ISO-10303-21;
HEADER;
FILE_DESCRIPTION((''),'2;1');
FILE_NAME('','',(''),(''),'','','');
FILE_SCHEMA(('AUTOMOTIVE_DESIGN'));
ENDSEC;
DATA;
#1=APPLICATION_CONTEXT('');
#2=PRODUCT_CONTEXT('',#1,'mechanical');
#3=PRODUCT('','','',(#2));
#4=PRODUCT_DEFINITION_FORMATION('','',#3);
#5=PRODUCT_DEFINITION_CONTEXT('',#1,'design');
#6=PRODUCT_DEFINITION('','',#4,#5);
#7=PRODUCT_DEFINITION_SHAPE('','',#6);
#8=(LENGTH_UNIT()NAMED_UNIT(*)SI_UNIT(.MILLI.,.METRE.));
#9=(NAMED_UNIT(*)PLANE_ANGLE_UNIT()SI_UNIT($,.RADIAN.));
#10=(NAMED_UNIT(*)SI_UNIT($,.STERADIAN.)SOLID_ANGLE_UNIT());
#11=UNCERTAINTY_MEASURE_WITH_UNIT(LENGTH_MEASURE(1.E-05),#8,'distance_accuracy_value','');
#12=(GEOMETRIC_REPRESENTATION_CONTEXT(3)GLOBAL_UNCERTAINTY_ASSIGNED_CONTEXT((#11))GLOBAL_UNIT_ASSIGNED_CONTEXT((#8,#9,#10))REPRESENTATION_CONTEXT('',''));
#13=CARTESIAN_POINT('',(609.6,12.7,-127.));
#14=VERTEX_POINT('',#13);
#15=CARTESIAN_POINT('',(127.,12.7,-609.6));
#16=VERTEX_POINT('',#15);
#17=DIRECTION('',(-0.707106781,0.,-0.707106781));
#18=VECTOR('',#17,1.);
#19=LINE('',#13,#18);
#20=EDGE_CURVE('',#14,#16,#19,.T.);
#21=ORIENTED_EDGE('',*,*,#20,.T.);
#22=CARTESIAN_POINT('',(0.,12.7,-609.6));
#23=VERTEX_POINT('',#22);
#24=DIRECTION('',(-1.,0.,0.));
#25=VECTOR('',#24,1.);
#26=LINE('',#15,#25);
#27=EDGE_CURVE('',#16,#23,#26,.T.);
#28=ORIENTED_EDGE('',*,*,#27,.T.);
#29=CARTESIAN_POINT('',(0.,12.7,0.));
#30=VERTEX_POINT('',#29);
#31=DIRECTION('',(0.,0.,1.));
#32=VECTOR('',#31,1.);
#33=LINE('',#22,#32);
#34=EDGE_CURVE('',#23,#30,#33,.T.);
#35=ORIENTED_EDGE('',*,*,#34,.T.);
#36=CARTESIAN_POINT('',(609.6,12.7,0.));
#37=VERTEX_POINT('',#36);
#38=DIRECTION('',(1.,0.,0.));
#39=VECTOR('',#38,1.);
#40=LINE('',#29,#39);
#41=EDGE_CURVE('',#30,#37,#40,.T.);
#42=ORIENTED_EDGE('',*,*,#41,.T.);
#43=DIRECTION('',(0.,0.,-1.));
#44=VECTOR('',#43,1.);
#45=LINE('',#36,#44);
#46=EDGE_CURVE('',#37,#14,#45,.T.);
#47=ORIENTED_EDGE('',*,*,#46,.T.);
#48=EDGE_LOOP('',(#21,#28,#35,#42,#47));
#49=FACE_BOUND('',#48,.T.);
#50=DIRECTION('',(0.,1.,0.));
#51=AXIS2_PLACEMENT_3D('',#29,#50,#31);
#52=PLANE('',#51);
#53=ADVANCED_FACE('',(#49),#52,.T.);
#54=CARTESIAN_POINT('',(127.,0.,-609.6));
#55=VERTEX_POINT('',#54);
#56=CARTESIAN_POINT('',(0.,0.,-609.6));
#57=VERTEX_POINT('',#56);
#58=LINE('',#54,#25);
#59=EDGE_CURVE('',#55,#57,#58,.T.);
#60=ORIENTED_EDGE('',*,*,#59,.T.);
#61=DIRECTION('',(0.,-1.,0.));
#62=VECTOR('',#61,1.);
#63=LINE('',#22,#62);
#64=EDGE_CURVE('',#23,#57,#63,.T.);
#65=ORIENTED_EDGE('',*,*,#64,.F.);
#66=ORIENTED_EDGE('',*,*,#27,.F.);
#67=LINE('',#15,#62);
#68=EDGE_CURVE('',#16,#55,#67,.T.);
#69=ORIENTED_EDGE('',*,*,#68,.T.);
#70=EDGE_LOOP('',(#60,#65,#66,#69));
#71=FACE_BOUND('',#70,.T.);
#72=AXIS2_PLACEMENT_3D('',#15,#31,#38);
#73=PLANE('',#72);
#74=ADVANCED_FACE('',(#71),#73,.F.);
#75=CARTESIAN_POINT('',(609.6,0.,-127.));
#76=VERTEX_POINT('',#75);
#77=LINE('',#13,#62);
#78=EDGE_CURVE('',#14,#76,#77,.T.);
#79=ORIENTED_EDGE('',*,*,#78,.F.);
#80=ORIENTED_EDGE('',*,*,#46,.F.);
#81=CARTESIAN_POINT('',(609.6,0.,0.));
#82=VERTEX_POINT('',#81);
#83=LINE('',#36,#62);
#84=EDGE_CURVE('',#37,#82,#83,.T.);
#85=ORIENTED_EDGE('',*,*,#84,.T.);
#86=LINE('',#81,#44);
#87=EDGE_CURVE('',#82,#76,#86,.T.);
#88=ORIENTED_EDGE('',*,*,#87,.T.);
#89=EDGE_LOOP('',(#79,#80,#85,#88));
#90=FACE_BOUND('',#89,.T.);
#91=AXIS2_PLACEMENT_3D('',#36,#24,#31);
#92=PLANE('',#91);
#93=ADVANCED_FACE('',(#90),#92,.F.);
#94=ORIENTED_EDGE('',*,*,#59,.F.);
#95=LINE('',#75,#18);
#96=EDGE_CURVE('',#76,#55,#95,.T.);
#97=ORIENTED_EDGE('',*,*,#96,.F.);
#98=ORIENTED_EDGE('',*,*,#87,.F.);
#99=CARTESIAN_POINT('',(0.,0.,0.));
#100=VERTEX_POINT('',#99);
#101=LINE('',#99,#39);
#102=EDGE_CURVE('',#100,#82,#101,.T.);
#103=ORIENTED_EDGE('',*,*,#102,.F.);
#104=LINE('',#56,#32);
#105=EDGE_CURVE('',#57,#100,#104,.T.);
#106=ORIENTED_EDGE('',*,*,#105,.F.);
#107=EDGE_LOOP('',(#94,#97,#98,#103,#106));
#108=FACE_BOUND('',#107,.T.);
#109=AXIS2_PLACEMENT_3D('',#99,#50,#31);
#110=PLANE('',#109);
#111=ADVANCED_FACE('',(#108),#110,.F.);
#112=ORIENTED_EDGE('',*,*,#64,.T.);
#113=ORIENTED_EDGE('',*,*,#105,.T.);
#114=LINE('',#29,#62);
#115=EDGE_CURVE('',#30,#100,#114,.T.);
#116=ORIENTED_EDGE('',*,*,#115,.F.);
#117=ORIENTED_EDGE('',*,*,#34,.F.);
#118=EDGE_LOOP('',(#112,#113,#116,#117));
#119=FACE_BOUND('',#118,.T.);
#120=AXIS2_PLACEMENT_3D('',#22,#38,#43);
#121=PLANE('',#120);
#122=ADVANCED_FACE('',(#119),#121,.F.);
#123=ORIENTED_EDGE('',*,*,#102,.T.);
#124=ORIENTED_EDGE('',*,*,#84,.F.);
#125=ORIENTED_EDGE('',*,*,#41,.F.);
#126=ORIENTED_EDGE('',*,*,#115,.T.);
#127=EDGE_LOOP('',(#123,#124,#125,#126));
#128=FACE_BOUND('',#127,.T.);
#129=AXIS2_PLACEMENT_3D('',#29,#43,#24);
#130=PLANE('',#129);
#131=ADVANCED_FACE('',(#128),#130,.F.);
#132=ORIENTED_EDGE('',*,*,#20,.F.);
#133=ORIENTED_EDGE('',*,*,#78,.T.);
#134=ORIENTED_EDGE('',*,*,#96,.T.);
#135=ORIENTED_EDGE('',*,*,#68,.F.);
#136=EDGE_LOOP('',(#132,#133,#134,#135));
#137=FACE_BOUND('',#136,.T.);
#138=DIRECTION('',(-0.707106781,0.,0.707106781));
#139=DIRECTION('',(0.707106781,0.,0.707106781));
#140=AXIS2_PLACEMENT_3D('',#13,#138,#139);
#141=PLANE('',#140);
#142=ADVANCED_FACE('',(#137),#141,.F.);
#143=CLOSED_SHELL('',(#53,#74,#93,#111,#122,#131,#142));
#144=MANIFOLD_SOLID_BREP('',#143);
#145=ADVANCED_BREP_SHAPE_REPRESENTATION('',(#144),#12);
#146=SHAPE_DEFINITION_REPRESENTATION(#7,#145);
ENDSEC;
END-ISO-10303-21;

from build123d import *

# Parameters (mm, degrees)
BOSS_EXTRUDE1_DEPTH = 12.7


with BuildPart() as part:
    # Sketch1 → Boss-Extrude1 (new body)
    with BuildSketch(Plane(origin=(0, 0, 0), x_dir=(1, 0, 0), z_dir=(0, 1, 0))):
        Polygon((0, 0), (609.6, 0), (609.6, 127), (127, 609.6), (0, 609.6), align=None)
    extrude(amount=BOSS_EXTRUDE1_DEPTH)


solid = part.part
